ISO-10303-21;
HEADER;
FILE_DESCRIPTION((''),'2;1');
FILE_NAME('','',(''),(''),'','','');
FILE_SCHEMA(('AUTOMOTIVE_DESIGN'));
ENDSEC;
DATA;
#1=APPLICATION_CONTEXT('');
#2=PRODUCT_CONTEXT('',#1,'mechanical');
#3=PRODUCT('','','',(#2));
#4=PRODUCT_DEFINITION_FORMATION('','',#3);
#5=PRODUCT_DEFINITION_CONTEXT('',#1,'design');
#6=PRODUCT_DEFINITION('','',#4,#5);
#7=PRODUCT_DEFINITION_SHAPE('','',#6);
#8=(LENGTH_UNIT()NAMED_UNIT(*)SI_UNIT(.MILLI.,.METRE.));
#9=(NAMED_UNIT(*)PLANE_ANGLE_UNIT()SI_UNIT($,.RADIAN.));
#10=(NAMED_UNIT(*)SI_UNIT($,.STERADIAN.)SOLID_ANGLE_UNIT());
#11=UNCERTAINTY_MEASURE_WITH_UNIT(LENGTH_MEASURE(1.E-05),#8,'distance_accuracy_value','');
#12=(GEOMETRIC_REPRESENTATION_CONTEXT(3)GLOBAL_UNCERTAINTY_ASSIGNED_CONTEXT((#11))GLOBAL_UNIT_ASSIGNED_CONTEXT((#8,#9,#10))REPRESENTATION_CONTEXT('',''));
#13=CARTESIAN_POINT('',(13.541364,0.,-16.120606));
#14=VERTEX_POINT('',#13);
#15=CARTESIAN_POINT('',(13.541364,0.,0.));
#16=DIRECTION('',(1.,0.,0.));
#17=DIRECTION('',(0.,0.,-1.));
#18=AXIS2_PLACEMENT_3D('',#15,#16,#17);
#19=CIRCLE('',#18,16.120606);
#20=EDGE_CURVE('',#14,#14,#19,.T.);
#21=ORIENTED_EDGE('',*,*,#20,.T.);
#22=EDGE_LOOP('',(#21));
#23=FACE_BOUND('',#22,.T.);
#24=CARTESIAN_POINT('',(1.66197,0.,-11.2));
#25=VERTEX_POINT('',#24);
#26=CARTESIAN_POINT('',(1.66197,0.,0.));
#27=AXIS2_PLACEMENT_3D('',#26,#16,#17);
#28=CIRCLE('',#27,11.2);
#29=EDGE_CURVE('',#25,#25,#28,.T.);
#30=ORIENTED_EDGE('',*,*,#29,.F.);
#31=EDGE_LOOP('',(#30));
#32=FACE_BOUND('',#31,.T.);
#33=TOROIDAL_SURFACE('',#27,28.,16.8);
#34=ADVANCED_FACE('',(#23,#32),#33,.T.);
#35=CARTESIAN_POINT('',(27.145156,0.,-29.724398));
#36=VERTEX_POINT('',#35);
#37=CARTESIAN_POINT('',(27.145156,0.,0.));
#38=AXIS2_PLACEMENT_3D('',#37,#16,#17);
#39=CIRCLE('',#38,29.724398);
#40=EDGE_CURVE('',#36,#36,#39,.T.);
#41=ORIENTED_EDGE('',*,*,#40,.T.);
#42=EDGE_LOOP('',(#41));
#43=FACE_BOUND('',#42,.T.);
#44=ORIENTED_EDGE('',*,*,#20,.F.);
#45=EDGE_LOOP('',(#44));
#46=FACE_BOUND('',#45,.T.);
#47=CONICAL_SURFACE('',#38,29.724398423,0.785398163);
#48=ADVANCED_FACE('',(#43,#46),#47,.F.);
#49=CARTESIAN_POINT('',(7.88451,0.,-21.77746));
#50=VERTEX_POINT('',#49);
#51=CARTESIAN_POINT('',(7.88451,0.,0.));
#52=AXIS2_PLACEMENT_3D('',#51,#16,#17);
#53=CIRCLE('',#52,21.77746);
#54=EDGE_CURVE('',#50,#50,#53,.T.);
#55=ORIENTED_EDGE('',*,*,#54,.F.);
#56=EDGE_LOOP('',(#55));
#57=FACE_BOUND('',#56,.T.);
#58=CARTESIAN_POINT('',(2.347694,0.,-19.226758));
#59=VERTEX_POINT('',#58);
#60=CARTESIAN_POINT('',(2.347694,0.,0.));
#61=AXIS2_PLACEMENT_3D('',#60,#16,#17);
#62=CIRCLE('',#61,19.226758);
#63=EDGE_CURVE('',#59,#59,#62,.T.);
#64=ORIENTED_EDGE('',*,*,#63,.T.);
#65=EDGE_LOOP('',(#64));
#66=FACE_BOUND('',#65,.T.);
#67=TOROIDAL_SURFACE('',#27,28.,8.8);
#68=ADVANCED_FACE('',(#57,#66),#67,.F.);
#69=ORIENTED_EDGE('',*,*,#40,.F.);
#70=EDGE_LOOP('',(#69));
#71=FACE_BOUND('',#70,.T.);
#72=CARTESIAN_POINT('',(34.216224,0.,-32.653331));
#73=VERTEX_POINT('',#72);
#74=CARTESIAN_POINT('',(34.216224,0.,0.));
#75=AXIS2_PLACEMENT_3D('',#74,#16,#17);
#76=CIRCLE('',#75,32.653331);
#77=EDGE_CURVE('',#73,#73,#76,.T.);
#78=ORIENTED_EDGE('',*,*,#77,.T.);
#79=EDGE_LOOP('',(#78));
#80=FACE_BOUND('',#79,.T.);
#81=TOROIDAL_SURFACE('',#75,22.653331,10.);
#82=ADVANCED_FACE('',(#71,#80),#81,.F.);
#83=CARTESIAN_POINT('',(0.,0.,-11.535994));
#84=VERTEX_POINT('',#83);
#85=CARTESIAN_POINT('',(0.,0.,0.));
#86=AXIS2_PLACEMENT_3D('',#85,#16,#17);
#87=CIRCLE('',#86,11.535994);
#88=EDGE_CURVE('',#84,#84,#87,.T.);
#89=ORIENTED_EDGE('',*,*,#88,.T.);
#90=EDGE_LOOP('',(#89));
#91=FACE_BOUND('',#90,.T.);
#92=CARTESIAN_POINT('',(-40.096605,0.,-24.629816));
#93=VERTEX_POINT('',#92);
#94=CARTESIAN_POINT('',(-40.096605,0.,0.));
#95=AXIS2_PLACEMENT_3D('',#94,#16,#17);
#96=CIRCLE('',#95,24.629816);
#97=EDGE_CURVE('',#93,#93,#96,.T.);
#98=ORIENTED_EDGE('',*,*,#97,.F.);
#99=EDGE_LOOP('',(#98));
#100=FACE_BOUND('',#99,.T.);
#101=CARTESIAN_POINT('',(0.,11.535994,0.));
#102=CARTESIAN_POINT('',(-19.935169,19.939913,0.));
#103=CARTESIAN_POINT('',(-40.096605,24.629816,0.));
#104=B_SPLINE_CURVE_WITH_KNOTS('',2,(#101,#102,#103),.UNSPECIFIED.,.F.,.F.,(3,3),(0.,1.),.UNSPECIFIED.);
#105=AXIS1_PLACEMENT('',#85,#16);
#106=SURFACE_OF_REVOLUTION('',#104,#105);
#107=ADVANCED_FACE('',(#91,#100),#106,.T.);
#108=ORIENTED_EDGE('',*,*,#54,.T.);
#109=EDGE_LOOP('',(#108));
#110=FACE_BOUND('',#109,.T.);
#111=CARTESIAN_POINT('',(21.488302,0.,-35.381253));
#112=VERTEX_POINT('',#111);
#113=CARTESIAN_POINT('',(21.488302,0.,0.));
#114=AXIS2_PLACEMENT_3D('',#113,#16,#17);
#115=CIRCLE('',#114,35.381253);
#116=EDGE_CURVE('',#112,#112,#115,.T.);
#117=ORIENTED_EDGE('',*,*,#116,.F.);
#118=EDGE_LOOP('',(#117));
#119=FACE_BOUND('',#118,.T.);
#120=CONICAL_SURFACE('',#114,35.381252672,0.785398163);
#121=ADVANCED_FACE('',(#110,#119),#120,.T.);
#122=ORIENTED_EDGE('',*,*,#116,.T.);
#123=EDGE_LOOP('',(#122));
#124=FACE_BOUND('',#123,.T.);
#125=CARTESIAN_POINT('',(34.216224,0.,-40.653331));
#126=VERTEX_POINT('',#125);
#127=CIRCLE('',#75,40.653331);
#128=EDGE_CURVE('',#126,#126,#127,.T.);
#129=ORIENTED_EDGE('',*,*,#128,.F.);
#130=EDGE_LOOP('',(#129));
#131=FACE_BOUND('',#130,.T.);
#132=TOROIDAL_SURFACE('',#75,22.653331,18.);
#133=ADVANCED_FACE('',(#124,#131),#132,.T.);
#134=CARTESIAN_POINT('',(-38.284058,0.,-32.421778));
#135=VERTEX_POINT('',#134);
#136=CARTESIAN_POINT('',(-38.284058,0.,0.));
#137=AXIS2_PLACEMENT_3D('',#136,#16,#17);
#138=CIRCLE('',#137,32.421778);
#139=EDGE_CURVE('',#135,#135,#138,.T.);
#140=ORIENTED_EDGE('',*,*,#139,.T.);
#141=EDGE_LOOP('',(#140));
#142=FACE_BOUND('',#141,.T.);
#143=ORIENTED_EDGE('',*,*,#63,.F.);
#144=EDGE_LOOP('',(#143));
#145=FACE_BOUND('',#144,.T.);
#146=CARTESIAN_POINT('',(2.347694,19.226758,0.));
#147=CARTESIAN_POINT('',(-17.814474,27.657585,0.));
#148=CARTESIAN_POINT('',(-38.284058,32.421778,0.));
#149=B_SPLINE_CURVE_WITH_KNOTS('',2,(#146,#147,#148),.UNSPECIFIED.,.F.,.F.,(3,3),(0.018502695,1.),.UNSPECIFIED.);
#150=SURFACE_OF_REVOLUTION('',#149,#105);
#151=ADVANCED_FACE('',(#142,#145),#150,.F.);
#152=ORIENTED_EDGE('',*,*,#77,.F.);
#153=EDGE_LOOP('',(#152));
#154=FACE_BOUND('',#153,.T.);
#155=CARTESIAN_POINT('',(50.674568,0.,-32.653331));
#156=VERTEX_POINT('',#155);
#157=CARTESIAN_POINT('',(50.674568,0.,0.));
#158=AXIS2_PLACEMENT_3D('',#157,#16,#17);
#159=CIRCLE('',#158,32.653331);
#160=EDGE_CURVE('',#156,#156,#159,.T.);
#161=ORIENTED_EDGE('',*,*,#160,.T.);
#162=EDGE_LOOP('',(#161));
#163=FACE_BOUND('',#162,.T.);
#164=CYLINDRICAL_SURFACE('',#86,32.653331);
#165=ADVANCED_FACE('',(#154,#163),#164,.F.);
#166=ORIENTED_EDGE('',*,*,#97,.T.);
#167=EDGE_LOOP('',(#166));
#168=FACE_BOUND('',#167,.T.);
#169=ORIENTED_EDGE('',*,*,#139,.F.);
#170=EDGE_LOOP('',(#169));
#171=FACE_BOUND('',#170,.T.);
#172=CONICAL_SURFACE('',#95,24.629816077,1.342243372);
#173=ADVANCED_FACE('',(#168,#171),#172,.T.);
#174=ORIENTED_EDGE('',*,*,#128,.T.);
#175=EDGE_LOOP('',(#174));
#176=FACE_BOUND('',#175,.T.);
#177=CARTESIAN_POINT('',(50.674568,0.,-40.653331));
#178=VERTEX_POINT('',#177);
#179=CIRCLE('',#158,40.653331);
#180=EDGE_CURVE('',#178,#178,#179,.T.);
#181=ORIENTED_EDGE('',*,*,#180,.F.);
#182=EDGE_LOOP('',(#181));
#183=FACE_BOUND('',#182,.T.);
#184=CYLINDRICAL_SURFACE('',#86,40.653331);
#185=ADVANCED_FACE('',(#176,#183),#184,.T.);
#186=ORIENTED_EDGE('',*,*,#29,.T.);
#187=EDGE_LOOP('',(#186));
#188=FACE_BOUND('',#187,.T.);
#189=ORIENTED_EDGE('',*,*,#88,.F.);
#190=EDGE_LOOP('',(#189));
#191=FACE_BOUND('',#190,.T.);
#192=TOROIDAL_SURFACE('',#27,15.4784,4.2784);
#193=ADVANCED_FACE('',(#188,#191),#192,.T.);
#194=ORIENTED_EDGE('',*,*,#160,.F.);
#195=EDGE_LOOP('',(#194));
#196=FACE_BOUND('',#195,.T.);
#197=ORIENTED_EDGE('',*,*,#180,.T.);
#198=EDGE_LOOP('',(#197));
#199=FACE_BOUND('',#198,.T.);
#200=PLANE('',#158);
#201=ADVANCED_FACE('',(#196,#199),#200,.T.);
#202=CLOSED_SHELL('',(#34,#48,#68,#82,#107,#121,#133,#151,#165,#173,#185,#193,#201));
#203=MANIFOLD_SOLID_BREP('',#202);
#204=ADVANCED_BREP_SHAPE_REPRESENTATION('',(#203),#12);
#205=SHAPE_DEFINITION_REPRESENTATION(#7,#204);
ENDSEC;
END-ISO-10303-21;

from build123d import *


with BuildPart() as part:
    # Sketch1 → Revolve1 (revolve)
    with BuildSketch(Plane.XY, mode=Mode.PRIVATE) as revolve1_sk:
        with BuildLine():
            Line((50.674568212, 32.653330611), (34.216224259, 32.653330611))
            ThreePointArc((34.216224259, 32.653330611), (30.389389936, 31.892125936), (27.145156447, 29.724398423))
            Line((27.145156447, 29.724398423), (13.5413641, 16.120606076))
            ThreePointArc((13.5413641, 16.120606076), (8.09105184, 12.478823854), (1.661970177, 11.2))
            ThreePointArc((1.661970177, 11.2), (0.814173455, 11.284839785), (0, 11.535994428))
            add(Edge.make_bspline(
                [(0, 11.535994428), (-19.935169187, 19.939913318), (-40.096604749, 24.629816077)],
                knots=[0, 0, 0, 1, 1, 1], degree=2))
            Line((-40.096604749, 24.629816077), (-38.284057984, 32.421778232))
            add(Edge.make_bspline(
                [(2.347693545, 19.226757529), (-17.814473556, 27.657584683), (-38.284057984, 32.421778232)],
                knots=[0.018502695, 0.018502695, 0.018502695, 1, 1, 1], degree=2))
            ThreePointArc((2.347693545, 19.226757529), (5.344027449, 20.007349986), (7.884509851, 21.777460326))
            Line((7.884509851, 21.777460326), (21.488302198, 35.381252672))
            ThreePointArc((21.488302198, 35.381252672), (27.327922477, 39.283162196), (34.216224259, 40.653330611))
            Line((34.216224259, 40.653330611), (50.674568212, 40.653330611))
            Line((50.674568212, 40.653330611), (50.674568212, 32.653330611))
        make_face()
    revolve(revolve1_sk.sketch.rotate(Axis((0, 0, 0), (-1, 0, 0)), 90), axis=Axis((0, 0, 0), (-1, 0, 0)))


solid = part.part
